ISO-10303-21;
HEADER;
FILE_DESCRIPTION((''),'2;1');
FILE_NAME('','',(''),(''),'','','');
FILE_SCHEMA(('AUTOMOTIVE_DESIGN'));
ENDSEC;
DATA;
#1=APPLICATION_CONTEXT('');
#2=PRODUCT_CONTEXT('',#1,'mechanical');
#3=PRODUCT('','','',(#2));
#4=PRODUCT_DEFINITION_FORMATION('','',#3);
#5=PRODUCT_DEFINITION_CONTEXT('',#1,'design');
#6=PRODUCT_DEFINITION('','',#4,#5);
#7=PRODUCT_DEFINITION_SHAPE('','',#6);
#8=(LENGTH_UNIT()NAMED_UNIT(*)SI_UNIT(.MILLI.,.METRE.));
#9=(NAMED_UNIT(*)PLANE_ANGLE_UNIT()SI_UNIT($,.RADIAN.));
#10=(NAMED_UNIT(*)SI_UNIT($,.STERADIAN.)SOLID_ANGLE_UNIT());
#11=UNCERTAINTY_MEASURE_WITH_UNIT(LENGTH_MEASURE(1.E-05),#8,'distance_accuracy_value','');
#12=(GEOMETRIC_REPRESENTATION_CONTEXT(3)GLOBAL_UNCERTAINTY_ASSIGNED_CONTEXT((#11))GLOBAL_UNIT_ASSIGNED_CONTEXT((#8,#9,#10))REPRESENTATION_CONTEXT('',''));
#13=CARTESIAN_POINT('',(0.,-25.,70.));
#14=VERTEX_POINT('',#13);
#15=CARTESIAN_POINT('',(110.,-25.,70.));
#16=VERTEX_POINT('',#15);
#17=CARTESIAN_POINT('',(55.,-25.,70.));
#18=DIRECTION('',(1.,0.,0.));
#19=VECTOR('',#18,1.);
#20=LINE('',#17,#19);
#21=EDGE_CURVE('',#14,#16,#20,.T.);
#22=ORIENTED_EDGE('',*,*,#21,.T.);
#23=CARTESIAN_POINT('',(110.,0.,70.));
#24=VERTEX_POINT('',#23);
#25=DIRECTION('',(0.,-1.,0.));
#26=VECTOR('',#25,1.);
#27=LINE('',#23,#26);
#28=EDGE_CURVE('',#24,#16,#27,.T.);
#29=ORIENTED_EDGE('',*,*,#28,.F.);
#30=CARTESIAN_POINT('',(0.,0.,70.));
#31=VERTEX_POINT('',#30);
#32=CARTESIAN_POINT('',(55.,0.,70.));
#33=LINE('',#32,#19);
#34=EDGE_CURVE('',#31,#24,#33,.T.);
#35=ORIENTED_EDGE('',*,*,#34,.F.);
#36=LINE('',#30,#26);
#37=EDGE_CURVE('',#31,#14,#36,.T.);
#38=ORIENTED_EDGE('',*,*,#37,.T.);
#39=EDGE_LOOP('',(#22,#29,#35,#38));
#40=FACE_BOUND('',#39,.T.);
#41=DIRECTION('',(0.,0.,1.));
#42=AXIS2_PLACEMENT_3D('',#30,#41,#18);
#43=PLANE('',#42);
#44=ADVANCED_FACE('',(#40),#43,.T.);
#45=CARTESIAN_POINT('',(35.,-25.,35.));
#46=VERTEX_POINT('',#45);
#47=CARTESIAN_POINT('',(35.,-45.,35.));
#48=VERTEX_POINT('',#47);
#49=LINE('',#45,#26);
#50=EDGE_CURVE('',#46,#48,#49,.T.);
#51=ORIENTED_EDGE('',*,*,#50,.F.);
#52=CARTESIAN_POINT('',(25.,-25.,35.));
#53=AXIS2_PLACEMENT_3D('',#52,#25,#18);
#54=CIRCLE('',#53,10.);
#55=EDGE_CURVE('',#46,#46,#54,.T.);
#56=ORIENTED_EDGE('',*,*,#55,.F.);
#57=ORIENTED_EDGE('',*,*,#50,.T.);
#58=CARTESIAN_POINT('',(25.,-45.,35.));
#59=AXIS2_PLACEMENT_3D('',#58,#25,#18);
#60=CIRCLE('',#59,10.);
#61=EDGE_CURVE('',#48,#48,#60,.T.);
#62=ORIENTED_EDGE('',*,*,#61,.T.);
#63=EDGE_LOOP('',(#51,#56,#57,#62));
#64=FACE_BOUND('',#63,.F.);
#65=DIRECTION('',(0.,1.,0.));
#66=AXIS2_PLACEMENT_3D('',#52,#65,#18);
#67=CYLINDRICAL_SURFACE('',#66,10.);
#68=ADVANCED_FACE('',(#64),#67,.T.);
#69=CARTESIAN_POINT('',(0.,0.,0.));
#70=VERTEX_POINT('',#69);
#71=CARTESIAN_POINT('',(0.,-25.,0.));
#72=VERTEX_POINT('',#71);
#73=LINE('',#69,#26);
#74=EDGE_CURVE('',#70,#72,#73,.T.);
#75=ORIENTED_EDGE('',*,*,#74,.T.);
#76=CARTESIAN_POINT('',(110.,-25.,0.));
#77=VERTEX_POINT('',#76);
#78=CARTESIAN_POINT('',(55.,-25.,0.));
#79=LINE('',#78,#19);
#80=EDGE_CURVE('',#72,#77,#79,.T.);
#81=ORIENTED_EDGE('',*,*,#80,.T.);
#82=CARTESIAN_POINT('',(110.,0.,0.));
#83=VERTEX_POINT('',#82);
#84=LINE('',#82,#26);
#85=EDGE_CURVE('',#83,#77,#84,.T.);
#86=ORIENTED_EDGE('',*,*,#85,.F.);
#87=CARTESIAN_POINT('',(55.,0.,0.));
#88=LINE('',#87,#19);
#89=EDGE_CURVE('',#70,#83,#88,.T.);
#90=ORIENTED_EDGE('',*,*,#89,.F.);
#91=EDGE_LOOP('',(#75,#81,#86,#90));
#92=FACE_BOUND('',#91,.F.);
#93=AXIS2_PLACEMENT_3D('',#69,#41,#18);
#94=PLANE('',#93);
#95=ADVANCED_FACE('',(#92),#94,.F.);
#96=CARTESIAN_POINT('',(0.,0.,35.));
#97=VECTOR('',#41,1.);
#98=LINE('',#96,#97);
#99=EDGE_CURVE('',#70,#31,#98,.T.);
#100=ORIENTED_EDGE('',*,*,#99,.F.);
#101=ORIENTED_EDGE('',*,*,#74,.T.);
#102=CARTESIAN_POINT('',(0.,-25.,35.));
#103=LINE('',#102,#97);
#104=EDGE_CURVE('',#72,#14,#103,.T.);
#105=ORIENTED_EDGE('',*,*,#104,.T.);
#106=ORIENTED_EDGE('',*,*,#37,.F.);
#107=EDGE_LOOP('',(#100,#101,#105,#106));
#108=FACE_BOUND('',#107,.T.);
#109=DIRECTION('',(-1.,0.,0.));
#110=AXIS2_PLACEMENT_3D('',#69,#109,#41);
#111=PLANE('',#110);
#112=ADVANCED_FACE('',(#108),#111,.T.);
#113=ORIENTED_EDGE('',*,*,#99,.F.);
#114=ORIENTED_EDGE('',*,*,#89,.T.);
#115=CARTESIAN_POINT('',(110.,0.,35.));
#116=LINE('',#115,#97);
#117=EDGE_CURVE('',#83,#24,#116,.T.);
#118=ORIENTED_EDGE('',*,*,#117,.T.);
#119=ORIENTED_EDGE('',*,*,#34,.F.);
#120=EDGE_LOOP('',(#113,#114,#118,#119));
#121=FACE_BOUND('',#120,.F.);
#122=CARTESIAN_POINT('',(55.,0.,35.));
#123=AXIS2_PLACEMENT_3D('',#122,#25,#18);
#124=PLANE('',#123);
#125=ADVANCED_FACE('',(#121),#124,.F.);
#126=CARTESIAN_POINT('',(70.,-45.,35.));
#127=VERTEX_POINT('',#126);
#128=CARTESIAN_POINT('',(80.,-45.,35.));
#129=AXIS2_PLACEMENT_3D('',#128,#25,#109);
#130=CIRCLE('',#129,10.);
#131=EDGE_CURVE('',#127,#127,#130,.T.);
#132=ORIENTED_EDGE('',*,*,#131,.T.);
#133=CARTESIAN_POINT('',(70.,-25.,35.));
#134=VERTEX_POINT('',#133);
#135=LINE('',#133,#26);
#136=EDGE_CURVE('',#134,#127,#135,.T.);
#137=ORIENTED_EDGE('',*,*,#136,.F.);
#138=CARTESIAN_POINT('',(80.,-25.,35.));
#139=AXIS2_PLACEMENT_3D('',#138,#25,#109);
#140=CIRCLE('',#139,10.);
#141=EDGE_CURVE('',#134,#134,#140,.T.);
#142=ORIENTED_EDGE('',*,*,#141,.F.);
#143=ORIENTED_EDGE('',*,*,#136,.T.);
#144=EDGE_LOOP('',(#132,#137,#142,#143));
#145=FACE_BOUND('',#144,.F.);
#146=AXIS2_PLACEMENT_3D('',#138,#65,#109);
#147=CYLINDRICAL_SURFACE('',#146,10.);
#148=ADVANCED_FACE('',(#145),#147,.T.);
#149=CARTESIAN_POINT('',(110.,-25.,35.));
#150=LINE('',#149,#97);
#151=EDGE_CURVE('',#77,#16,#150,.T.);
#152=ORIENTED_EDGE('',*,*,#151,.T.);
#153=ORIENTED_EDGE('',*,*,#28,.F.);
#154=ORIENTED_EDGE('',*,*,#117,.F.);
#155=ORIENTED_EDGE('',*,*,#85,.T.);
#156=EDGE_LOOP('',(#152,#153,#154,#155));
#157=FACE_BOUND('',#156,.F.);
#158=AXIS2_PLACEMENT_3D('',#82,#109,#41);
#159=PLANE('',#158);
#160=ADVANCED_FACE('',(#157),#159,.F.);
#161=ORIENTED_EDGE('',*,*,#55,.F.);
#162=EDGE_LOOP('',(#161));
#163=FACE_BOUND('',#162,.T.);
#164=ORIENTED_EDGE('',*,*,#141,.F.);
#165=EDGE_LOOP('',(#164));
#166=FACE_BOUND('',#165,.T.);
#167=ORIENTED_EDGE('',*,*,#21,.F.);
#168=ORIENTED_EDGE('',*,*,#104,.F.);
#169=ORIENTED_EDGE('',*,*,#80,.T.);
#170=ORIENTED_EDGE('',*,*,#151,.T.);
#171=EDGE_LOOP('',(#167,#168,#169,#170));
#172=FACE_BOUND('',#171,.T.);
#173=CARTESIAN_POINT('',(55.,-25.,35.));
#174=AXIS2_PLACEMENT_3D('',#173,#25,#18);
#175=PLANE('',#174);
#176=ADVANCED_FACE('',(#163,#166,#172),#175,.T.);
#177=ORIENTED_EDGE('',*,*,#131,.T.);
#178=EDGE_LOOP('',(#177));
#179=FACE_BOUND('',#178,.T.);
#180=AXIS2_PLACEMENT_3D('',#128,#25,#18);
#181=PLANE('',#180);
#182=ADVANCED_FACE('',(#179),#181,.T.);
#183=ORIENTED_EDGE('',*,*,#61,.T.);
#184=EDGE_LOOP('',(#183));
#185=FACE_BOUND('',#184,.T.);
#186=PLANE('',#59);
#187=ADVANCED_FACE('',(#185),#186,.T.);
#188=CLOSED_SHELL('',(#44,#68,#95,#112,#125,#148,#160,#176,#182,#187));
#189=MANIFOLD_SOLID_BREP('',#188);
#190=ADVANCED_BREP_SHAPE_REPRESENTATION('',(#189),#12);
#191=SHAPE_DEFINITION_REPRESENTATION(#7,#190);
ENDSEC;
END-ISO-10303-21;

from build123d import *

# Parameters (mm, degrees)
F0_W     = 110
F0_H     = 70
F1_DEPTH = 25
F2_R     = 10
F3_DEPTH = 20


with BuildPart() as f1:
    # F0 (on Front) → F1 (new body)
    with BuildSketch(Plane.XZ):
        with Locations((55, 35)):
            Rectangle(F0_W, F0_H)
    extrude(amount=F1_DEPTH)

    # F2 (on face) → F3 (join)
    with BuildSketch(Plane.XZ.offset(25)):
        with Locations((25, 35)):
            Circle(F2_R)
        with BuildLine():
            ThreePointArc((90, 35), (80, 45), (70, 35))
            ThreePointArc((70, 35), (80, 25), (90, 35))
        make_face()
    extrude(amount=F3_DEPTH)


solid = f1.part
